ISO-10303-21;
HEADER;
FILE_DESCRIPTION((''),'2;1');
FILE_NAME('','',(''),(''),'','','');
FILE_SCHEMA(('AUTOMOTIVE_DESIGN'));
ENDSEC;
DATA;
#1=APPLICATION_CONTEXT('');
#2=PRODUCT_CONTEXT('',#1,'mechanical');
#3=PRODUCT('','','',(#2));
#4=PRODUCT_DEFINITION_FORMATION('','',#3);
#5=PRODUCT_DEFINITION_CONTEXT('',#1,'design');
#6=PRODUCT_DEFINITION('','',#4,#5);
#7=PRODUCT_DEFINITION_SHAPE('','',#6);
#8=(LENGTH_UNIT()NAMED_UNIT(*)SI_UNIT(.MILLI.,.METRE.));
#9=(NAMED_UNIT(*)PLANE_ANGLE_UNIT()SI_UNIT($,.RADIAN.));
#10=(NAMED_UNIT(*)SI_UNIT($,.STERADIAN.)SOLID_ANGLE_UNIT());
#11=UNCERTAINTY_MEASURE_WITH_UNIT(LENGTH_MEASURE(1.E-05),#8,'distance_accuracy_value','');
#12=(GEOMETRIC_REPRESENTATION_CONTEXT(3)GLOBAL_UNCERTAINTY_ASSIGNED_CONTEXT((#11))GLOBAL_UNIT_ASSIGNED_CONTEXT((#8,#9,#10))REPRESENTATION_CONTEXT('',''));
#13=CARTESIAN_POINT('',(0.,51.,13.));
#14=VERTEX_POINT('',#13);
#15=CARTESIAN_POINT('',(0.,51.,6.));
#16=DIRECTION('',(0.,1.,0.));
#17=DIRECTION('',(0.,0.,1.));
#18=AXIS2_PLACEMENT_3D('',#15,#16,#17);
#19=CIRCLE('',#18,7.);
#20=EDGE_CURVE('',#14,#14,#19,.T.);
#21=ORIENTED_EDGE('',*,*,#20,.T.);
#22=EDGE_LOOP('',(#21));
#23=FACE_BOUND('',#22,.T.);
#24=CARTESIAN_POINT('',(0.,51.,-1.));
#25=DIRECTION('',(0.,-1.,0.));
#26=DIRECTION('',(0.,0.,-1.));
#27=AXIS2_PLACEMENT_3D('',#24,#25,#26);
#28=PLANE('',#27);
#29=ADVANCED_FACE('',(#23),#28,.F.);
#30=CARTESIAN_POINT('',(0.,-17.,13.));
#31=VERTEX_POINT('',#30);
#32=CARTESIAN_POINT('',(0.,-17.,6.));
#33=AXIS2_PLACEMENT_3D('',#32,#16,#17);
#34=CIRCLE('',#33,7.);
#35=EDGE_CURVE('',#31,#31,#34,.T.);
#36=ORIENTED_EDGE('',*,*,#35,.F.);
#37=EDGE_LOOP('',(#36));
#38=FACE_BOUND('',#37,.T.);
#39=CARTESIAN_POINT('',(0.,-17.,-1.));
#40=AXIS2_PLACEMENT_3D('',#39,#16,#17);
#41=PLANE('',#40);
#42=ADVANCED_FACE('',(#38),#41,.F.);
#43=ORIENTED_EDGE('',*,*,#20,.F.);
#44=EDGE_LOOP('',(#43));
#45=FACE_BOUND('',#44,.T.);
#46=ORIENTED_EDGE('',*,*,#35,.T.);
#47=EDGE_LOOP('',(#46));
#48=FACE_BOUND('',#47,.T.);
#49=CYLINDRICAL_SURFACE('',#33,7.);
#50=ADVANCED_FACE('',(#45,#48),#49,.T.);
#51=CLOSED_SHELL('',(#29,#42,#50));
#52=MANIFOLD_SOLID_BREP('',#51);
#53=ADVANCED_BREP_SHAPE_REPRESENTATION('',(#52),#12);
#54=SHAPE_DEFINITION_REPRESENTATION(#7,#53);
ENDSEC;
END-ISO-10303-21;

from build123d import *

# Parameters (mm, degrees)
ESBO_O2_W = 7
ESBO_O2_H = 68


with BuildPart() as part:
    # Esboço2 → Revolução2 (revolve)
    with BuildSketch(Plane(origin=(0, 0, 0), x_dir=(0, 0, -1), z_dir=(1, 0, 0)), mode=Mode.PRIVATE) as revolu_o2_sk:
        with Locations((-2.5, 17)):
            Rectangle(ESBO_O2_W, ESBO_O2_H)
    revolve(revolu_o2_sk.sketch.rotate(Axis((0, -17, 6), (0, 1, 0)), 180), axis=Axis((0, -17, 6), (0, 1, 0)))


solid = part.part
